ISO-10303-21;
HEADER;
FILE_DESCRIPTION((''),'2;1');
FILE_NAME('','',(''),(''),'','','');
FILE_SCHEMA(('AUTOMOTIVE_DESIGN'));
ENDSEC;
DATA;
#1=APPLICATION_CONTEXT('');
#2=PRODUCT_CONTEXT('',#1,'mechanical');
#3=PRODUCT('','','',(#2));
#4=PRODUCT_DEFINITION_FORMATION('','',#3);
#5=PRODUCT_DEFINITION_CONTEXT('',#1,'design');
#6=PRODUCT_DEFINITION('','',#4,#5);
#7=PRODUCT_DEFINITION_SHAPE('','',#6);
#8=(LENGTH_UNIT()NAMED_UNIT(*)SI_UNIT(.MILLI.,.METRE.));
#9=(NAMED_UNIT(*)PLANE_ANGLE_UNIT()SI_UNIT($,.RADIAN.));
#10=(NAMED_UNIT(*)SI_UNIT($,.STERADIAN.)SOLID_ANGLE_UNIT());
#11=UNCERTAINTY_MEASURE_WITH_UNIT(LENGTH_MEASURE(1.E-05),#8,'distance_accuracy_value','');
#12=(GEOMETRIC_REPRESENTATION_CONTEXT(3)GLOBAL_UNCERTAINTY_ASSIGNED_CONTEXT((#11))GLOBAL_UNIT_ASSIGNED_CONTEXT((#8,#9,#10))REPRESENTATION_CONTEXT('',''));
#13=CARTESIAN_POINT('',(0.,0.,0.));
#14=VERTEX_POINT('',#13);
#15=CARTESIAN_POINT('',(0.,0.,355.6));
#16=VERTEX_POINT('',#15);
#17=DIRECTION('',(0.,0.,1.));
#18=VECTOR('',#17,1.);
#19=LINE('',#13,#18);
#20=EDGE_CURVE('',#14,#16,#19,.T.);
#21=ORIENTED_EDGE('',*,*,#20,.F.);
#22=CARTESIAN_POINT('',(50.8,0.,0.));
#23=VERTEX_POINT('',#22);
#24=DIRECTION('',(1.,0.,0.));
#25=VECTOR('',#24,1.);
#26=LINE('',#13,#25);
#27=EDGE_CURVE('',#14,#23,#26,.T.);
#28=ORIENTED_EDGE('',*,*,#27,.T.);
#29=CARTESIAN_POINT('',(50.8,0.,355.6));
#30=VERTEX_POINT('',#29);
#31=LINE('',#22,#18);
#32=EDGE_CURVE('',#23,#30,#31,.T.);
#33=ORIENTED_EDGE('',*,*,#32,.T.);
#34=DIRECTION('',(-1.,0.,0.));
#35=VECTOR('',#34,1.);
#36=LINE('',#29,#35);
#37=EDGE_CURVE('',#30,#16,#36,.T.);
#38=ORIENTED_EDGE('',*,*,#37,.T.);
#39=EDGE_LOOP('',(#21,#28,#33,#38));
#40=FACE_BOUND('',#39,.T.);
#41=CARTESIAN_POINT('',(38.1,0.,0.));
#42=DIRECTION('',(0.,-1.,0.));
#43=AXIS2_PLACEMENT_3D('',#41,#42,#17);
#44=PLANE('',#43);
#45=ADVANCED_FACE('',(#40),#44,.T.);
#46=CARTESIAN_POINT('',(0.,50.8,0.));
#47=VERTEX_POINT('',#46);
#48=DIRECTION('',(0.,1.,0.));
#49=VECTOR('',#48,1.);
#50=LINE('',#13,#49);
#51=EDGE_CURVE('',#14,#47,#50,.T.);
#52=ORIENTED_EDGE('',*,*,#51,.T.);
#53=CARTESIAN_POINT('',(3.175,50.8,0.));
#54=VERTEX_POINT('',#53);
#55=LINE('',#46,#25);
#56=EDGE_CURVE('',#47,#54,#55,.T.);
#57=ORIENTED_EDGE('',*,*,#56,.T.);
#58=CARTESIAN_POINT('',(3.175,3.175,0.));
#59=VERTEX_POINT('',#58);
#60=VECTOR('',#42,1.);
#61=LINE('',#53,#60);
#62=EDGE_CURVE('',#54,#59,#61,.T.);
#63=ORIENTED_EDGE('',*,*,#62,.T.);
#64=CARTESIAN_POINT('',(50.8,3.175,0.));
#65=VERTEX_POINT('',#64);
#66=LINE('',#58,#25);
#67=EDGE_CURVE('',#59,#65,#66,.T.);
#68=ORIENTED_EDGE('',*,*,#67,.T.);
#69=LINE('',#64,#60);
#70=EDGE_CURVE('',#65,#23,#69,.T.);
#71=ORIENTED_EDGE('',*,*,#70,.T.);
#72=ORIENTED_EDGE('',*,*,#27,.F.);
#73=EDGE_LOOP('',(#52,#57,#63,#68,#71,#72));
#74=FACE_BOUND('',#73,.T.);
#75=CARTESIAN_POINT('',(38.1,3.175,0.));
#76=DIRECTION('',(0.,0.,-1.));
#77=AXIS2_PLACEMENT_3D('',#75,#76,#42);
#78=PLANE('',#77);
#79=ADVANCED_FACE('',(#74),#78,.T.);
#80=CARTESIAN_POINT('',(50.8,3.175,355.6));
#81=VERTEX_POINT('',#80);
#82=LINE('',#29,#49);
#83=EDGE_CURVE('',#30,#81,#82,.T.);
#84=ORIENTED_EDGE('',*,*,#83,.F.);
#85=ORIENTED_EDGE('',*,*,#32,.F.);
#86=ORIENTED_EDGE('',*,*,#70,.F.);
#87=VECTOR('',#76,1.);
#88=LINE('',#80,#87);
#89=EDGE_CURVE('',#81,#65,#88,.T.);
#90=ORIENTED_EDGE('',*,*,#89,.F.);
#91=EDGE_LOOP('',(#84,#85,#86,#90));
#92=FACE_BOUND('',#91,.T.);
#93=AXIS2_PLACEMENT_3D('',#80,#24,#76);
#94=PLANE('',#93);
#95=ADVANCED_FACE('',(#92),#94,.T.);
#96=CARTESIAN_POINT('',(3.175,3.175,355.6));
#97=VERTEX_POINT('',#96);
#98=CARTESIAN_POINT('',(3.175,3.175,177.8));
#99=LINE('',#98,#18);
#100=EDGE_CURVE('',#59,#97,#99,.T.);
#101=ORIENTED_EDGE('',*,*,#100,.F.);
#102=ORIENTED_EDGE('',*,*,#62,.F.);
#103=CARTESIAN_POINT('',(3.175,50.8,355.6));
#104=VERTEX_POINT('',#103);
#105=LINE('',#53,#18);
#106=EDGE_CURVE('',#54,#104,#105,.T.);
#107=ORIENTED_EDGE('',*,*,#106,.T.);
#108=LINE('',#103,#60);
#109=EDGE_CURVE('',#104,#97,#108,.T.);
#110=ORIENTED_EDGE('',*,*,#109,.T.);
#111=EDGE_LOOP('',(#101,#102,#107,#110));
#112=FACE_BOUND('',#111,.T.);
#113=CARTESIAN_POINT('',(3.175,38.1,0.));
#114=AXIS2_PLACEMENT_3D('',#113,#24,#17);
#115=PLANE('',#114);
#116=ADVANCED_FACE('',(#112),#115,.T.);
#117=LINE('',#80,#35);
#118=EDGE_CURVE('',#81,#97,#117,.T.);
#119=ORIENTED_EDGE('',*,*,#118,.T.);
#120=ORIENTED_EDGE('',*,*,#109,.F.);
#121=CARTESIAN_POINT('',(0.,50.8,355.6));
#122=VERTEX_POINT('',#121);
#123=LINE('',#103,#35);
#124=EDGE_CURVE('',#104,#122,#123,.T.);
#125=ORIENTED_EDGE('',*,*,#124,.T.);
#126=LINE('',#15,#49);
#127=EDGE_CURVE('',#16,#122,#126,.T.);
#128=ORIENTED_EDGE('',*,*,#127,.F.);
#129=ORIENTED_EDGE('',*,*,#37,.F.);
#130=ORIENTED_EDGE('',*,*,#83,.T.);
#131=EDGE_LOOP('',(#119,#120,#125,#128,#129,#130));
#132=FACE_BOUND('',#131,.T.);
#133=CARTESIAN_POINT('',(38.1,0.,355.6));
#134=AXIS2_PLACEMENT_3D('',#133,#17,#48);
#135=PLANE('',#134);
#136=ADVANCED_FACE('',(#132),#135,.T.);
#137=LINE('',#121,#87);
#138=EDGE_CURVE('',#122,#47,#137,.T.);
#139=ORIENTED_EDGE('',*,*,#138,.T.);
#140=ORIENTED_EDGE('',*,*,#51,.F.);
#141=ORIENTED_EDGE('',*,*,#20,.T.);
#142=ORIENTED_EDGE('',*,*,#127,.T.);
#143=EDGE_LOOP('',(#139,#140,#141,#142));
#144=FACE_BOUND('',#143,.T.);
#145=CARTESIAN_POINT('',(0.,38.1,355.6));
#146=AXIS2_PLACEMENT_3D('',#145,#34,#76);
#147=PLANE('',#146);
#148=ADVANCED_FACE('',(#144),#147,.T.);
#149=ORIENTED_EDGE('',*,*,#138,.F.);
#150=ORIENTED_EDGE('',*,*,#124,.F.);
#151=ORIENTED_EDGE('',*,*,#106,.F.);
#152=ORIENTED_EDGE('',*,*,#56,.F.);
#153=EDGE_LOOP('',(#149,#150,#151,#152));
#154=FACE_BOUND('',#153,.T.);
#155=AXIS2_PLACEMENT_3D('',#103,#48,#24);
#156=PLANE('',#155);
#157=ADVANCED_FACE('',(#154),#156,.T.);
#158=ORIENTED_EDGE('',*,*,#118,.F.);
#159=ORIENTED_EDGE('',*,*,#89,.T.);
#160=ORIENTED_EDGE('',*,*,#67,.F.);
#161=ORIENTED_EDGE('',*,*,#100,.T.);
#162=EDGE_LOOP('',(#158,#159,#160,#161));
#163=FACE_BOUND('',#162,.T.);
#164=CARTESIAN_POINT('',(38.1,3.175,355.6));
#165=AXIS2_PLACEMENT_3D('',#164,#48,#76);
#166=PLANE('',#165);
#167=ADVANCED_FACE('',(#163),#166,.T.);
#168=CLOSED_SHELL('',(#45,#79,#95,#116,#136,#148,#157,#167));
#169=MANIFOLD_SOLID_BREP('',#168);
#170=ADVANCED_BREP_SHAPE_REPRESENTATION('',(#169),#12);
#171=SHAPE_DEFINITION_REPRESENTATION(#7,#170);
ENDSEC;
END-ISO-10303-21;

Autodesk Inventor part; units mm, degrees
ref_plane "YZ Plane" through (0, 0, 0) normal (1, 0, 0) x (0, 1, 0)
ref_plane "XZ Plane" through (0, 0, 0) normal (0, 1, 0) x (-1, 0, 0)
ref_plane "XY Plane" through (0, 0, 0) normal (0, 0, 1) x (1, 0, 0)
sketch "Sketch1" plane through (0, 0, 0) normal (0, 0, 1) x (1, 0, 0)
  line L0 (0, 0) -> (38.1, 0)
  line L1 (38.1, 0) -> (38.1, 3.175)
  line L2 (38.1, 3.175) -> (0, 3.175)
  line L3 (0, 3.175) -> (0, 0)
  dimension "d0" = 38.1
  dimension "d1" = 3.175
extrude "Extrusion1" add sketch "Sketch1" along normal blind 355.6
sketch "Sketch2" plane through (0, 0, 355.6) normal (0, 0, 1) x (1, 0, 0)
  line L0 (0, 0) -> (3.175, 0)
  line L1 (3.175, 0) -> (3.175, 38.1)
  line L2 (3.175, 38.1) -> (0, 38.1)
  line L3 (0, 38.1) -> (0, 0)
  dimension "d4" = 3.175
  dimension "d5" = 38.1
extrude "Extrusion2" add sketch "Sketch2" against normal blind 355.6
sketch "Sketch3" plane through (3.175, 38.1, 355.6) normal (0, 1, 0) x (1, 0, 0)
  line L0 (-3.175, 355.6) -> (0, 355.6)
  line L1 (0, 355.6) -> (0, 0)
  line L2 (0, 0) -> (-3.175, 0)
  line L3 (-3.175, 0) -> (-3.175, 355.6)
extrude "Extrusion3" add sketch "Sketch3" along normal blind 12.7
sketch "Sketch4" plane through (38.1, 3.175, 355.6) normal (1, 0, 0) x (0, 0, -1)
  line L0 (355.6, -3.175) -> (0, -3.175)
  line L1 (0, -3.175) -> (0, 0)
  line L2 (0, 0) -> (355.6, 0)
  line L3 (355.6, 0) -> (355.6, -3.175)
extrude "Extrusion4" add sketch "Sketch4" along normal blind 12.7
properties part number "14in 2inL Channel"
